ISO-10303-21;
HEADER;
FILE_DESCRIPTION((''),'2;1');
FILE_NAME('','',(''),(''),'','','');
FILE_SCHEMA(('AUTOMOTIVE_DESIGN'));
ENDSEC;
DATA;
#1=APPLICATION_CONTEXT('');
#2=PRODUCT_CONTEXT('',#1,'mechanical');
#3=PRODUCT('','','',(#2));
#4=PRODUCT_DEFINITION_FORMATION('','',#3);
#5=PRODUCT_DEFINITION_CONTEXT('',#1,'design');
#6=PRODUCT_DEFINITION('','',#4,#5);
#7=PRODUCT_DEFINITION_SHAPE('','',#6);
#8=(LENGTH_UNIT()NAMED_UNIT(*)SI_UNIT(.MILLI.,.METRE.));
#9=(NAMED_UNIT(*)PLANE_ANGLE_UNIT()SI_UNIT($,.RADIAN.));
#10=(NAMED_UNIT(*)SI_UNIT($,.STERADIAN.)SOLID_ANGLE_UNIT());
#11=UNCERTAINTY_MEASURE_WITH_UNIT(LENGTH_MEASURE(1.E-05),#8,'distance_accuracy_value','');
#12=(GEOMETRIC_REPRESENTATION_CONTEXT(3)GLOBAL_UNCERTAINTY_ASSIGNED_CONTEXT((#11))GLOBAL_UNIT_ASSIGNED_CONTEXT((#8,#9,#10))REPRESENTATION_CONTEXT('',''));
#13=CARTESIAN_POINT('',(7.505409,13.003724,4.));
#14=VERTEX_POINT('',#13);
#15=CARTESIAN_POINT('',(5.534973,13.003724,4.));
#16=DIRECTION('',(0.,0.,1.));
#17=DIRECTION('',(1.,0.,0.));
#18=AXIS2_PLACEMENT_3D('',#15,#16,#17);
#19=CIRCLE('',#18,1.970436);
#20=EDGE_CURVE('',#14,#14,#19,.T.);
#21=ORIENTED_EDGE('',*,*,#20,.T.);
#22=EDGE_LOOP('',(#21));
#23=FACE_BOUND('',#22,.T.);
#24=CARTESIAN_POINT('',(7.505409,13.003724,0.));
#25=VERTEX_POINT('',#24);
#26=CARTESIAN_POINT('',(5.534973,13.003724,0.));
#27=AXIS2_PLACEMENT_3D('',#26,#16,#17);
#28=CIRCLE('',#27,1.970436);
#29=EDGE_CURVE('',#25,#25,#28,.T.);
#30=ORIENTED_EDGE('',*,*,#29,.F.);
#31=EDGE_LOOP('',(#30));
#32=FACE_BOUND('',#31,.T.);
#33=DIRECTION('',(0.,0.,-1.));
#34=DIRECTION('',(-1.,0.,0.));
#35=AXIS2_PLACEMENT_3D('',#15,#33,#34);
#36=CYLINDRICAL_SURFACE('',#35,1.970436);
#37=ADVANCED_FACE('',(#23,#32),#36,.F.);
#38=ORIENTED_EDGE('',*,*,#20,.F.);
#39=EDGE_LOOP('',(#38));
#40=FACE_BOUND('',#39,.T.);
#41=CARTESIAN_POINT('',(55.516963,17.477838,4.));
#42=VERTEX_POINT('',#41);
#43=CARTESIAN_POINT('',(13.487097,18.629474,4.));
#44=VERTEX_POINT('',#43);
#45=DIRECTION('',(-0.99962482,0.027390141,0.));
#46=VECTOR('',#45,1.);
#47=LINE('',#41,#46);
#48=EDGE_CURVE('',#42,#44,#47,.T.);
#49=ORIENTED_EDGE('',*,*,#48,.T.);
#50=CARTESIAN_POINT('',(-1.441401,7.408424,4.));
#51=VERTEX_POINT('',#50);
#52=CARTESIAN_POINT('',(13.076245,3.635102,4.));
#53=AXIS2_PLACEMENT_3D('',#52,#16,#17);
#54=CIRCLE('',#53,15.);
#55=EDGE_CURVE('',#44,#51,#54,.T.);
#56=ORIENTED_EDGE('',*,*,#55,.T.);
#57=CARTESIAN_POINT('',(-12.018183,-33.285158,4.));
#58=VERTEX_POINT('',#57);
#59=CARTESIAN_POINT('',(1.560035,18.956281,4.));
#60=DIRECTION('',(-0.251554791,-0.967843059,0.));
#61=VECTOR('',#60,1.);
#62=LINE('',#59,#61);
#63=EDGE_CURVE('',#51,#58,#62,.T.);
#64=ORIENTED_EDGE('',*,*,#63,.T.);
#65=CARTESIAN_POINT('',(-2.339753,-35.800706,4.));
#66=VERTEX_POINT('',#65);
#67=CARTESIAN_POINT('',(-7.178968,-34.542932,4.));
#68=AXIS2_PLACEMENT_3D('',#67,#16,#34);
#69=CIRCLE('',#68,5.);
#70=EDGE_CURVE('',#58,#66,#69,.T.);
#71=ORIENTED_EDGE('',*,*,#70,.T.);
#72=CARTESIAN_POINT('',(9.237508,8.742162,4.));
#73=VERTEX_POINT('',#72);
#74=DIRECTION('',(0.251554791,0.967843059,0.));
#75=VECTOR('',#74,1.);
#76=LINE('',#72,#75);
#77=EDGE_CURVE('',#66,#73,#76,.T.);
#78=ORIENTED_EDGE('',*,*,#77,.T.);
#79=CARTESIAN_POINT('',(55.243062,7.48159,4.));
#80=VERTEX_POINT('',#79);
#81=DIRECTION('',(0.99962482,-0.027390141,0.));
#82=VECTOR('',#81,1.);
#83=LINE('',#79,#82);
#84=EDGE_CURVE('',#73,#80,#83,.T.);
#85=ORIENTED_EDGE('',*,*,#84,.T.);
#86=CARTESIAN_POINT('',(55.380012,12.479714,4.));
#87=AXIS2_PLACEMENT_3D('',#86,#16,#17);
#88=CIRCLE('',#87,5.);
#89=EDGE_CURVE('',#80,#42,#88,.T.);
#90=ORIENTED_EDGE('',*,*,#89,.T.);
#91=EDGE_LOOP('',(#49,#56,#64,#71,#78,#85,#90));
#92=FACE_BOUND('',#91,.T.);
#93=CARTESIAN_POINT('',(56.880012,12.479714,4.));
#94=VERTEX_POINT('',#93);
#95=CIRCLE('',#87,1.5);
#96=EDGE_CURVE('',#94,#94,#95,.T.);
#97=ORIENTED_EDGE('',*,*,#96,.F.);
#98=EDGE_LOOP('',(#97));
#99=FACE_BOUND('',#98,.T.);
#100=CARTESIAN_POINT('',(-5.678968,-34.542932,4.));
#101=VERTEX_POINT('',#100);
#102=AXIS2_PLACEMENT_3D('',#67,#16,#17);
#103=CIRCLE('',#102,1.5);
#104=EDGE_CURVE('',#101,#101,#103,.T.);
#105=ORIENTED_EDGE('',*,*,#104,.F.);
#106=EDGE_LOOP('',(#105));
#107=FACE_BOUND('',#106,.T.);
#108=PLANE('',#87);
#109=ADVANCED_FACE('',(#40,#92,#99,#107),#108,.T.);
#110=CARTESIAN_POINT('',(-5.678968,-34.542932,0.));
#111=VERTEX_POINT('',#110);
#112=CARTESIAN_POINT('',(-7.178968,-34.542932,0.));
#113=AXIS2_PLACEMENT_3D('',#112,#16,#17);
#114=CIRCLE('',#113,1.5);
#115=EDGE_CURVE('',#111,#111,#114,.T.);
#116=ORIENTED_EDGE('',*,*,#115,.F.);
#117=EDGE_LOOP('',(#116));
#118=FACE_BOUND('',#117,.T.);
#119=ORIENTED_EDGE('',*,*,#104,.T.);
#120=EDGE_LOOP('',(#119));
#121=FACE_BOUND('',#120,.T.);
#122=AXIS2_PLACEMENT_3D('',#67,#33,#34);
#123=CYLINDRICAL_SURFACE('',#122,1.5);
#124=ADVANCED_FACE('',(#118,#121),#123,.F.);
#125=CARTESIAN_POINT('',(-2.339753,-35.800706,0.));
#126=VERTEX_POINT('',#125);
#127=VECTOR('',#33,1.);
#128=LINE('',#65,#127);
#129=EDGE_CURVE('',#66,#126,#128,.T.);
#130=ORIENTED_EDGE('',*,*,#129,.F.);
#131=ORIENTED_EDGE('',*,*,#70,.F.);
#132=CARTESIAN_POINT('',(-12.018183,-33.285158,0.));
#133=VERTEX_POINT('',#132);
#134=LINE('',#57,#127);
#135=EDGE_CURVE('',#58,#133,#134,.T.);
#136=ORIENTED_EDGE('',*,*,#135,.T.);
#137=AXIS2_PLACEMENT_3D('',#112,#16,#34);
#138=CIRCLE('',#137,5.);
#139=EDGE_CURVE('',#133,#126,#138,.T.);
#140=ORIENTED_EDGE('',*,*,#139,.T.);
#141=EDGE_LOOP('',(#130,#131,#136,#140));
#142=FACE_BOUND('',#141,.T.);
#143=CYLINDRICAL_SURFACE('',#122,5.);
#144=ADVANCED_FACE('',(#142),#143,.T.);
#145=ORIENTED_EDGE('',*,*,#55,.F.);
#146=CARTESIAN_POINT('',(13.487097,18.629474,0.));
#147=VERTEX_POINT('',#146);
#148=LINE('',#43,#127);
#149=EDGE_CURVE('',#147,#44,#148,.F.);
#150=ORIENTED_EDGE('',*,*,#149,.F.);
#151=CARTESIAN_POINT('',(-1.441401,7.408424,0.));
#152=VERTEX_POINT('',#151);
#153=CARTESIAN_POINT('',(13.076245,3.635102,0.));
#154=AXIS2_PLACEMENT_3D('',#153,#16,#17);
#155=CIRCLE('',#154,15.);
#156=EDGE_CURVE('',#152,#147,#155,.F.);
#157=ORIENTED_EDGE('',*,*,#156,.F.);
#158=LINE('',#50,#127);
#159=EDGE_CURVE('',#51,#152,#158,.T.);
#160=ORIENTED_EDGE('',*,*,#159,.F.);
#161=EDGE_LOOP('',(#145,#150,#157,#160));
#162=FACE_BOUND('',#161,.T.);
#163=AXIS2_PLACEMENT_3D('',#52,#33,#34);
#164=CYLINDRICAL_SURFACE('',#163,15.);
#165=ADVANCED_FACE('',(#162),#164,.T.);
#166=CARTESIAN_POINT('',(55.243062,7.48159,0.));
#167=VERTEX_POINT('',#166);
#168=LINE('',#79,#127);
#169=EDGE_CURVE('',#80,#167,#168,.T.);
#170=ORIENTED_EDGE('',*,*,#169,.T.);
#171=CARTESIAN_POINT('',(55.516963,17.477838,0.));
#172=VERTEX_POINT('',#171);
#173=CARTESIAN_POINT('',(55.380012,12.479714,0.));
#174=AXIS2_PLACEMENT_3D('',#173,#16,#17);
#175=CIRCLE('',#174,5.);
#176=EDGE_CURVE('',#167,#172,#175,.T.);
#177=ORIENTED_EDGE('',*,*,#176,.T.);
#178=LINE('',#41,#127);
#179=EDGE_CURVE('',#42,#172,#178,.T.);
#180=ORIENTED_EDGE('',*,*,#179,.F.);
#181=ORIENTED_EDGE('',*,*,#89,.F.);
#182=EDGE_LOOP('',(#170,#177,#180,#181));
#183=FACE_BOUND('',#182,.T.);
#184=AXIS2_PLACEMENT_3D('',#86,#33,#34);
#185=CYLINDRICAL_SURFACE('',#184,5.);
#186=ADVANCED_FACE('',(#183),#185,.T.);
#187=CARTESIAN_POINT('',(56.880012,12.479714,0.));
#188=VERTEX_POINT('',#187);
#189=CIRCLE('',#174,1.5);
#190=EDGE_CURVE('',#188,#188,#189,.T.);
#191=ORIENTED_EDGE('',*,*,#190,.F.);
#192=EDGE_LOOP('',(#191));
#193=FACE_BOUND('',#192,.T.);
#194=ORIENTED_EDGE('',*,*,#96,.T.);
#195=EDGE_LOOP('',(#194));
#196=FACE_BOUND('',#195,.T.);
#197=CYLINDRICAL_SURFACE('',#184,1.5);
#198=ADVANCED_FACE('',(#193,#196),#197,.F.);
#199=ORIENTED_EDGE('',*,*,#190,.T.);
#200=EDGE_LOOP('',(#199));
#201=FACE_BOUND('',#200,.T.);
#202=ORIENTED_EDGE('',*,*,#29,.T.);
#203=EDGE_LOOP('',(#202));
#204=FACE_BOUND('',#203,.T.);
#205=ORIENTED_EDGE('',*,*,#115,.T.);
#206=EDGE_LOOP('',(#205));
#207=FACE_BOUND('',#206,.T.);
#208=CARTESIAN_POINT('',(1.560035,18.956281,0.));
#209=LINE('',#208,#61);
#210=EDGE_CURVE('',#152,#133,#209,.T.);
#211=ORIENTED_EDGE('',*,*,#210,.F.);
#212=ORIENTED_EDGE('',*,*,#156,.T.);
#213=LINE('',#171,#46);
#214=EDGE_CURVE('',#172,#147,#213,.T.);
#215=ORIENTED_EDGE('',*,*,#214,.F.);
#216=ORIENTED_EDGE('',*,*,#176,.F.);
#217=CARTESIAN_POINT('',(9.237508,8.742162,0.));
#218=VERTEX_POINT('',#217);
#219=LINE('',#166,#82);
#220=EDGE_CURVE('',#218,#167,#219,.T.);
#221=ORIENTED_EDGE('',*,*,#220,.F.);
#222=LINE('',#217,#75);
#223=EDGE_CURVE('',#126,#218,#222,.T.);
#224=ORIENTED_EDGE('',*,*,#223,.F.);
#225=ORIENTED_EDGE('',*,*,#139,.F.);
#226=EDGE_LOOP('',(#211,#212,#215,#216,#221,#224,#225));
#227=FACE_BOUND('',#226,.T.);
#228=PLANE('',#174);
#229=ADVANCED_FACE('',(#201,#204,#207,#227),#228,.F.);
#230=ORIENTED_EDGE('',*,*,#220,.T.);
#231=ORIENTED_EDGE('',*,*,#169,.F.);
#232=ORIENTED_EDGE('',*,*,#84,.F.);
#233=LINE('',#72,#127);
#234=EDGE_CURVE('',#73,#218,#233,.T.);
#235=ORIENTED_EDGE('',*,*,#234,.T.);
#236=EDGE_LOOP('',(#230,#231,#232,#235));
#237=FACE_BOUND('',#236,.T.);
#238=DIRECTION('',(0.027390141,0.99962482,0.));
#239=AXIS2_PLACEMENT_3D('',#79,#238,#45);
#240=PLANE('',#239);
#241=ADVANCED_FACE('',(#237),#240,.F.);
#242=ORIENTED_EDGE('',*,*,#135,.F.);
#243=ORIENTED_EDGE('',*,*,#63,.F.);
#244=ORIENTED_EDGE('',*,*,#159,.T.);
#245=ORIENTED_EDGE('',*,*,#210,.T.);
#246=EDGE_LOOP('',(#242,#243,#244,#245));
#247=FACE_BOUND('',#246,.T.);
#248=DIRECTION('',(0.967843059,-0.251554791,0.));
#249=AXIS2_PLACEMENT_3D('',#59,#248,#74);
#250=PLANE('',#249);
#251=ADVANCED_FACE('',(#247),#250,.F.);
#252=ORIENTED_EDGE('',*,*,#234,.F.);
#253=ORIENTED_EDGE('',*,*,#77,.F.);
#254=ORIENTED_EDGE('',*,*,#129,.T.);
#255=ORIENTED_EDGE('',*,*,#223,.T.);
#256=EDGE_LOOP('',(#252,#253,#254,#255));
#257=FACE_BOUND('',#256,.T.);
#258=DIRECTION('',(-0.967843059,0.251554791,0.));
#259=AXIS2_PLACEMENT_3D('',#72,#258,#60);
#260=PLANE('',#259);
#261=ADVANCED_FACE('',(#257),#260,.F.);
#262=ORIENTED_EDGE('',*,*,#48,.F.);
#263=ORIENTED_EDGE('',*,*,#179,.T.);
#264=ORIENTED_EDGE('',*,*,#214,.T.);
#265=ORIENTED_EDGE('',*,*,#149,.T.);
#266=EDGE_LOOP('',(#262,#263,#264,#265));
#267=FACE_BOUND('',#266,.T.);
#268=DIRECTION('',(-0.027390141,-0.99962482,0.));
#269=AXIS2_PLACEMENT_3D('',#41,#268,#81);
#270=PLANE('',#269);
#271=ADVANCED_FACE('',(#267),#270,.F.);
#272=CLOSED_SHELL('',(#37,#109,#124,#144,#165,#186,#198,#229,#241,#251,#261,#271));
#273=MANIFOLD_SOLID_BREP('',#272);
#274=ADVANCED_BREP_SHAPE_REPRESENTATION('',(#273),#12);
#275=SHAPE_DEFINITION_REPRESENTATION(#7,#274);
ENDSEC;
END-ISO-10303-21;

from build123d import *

# Parameters (mm, degrees)
ESQUISSE1_R        = 1.970435897
ESQUISSE1_R_2      = 1.5
BOSS_EXTRU_1_DEPTH = 4
CONG_1_R           = 15


with BuildPart() as part:
    # Esquisse1 → Boss.-Extru.1 (new body)
    with BuildSketch(Plane.XY):
        with BuildLine():
            Line((55.516963126, 17.477838302), (1.560034717, 18.956280867))
            Line((1.560034717, 18.956280867), (-12.018183396, -33.285157749))
            ThreePointArc((-12.018183396, -33.285157749), (-8.436742053, -39.382146998), (-2.339752804, -35.800705656))
            Line((-2.339752804, -35.800705656), (9.237508154, 8.74216165))
            Line((9.237508154, 8.74216165), (55.243061715, 7.481590105))
            ThreePointArc((55.243061715, 7.481590105), (60.378136519, 12.342763498), (55.516963126, 17.477838302))
        make_face()
        with Locations((5.534972738, 13.003723761)):
            Circle(ESQUISSE1_R, mode=Mode.SUBTRACT)
        with Locations((-7.1789681, -34.542931702)):
            Circle(ESQUISSE1_R_2, mode=Mode.SUBTRACT)
        with Locations((55.380012421, 12.479714203)):
            Circle(ESQUISSE1_R_2, mode=Mode.SUBTRACT)
    extrude(amount=BOSS_EXTRU_1_DEPTH)

    # Congé1
    cong_1_edges = [part.edges().sort_by_distance(p)[0] for p in [
        (1.560034717, 18.956280867, 2),
    ]]
    fillet(cong_1_edges, radius=CONG_1_R)


solid = part.part
